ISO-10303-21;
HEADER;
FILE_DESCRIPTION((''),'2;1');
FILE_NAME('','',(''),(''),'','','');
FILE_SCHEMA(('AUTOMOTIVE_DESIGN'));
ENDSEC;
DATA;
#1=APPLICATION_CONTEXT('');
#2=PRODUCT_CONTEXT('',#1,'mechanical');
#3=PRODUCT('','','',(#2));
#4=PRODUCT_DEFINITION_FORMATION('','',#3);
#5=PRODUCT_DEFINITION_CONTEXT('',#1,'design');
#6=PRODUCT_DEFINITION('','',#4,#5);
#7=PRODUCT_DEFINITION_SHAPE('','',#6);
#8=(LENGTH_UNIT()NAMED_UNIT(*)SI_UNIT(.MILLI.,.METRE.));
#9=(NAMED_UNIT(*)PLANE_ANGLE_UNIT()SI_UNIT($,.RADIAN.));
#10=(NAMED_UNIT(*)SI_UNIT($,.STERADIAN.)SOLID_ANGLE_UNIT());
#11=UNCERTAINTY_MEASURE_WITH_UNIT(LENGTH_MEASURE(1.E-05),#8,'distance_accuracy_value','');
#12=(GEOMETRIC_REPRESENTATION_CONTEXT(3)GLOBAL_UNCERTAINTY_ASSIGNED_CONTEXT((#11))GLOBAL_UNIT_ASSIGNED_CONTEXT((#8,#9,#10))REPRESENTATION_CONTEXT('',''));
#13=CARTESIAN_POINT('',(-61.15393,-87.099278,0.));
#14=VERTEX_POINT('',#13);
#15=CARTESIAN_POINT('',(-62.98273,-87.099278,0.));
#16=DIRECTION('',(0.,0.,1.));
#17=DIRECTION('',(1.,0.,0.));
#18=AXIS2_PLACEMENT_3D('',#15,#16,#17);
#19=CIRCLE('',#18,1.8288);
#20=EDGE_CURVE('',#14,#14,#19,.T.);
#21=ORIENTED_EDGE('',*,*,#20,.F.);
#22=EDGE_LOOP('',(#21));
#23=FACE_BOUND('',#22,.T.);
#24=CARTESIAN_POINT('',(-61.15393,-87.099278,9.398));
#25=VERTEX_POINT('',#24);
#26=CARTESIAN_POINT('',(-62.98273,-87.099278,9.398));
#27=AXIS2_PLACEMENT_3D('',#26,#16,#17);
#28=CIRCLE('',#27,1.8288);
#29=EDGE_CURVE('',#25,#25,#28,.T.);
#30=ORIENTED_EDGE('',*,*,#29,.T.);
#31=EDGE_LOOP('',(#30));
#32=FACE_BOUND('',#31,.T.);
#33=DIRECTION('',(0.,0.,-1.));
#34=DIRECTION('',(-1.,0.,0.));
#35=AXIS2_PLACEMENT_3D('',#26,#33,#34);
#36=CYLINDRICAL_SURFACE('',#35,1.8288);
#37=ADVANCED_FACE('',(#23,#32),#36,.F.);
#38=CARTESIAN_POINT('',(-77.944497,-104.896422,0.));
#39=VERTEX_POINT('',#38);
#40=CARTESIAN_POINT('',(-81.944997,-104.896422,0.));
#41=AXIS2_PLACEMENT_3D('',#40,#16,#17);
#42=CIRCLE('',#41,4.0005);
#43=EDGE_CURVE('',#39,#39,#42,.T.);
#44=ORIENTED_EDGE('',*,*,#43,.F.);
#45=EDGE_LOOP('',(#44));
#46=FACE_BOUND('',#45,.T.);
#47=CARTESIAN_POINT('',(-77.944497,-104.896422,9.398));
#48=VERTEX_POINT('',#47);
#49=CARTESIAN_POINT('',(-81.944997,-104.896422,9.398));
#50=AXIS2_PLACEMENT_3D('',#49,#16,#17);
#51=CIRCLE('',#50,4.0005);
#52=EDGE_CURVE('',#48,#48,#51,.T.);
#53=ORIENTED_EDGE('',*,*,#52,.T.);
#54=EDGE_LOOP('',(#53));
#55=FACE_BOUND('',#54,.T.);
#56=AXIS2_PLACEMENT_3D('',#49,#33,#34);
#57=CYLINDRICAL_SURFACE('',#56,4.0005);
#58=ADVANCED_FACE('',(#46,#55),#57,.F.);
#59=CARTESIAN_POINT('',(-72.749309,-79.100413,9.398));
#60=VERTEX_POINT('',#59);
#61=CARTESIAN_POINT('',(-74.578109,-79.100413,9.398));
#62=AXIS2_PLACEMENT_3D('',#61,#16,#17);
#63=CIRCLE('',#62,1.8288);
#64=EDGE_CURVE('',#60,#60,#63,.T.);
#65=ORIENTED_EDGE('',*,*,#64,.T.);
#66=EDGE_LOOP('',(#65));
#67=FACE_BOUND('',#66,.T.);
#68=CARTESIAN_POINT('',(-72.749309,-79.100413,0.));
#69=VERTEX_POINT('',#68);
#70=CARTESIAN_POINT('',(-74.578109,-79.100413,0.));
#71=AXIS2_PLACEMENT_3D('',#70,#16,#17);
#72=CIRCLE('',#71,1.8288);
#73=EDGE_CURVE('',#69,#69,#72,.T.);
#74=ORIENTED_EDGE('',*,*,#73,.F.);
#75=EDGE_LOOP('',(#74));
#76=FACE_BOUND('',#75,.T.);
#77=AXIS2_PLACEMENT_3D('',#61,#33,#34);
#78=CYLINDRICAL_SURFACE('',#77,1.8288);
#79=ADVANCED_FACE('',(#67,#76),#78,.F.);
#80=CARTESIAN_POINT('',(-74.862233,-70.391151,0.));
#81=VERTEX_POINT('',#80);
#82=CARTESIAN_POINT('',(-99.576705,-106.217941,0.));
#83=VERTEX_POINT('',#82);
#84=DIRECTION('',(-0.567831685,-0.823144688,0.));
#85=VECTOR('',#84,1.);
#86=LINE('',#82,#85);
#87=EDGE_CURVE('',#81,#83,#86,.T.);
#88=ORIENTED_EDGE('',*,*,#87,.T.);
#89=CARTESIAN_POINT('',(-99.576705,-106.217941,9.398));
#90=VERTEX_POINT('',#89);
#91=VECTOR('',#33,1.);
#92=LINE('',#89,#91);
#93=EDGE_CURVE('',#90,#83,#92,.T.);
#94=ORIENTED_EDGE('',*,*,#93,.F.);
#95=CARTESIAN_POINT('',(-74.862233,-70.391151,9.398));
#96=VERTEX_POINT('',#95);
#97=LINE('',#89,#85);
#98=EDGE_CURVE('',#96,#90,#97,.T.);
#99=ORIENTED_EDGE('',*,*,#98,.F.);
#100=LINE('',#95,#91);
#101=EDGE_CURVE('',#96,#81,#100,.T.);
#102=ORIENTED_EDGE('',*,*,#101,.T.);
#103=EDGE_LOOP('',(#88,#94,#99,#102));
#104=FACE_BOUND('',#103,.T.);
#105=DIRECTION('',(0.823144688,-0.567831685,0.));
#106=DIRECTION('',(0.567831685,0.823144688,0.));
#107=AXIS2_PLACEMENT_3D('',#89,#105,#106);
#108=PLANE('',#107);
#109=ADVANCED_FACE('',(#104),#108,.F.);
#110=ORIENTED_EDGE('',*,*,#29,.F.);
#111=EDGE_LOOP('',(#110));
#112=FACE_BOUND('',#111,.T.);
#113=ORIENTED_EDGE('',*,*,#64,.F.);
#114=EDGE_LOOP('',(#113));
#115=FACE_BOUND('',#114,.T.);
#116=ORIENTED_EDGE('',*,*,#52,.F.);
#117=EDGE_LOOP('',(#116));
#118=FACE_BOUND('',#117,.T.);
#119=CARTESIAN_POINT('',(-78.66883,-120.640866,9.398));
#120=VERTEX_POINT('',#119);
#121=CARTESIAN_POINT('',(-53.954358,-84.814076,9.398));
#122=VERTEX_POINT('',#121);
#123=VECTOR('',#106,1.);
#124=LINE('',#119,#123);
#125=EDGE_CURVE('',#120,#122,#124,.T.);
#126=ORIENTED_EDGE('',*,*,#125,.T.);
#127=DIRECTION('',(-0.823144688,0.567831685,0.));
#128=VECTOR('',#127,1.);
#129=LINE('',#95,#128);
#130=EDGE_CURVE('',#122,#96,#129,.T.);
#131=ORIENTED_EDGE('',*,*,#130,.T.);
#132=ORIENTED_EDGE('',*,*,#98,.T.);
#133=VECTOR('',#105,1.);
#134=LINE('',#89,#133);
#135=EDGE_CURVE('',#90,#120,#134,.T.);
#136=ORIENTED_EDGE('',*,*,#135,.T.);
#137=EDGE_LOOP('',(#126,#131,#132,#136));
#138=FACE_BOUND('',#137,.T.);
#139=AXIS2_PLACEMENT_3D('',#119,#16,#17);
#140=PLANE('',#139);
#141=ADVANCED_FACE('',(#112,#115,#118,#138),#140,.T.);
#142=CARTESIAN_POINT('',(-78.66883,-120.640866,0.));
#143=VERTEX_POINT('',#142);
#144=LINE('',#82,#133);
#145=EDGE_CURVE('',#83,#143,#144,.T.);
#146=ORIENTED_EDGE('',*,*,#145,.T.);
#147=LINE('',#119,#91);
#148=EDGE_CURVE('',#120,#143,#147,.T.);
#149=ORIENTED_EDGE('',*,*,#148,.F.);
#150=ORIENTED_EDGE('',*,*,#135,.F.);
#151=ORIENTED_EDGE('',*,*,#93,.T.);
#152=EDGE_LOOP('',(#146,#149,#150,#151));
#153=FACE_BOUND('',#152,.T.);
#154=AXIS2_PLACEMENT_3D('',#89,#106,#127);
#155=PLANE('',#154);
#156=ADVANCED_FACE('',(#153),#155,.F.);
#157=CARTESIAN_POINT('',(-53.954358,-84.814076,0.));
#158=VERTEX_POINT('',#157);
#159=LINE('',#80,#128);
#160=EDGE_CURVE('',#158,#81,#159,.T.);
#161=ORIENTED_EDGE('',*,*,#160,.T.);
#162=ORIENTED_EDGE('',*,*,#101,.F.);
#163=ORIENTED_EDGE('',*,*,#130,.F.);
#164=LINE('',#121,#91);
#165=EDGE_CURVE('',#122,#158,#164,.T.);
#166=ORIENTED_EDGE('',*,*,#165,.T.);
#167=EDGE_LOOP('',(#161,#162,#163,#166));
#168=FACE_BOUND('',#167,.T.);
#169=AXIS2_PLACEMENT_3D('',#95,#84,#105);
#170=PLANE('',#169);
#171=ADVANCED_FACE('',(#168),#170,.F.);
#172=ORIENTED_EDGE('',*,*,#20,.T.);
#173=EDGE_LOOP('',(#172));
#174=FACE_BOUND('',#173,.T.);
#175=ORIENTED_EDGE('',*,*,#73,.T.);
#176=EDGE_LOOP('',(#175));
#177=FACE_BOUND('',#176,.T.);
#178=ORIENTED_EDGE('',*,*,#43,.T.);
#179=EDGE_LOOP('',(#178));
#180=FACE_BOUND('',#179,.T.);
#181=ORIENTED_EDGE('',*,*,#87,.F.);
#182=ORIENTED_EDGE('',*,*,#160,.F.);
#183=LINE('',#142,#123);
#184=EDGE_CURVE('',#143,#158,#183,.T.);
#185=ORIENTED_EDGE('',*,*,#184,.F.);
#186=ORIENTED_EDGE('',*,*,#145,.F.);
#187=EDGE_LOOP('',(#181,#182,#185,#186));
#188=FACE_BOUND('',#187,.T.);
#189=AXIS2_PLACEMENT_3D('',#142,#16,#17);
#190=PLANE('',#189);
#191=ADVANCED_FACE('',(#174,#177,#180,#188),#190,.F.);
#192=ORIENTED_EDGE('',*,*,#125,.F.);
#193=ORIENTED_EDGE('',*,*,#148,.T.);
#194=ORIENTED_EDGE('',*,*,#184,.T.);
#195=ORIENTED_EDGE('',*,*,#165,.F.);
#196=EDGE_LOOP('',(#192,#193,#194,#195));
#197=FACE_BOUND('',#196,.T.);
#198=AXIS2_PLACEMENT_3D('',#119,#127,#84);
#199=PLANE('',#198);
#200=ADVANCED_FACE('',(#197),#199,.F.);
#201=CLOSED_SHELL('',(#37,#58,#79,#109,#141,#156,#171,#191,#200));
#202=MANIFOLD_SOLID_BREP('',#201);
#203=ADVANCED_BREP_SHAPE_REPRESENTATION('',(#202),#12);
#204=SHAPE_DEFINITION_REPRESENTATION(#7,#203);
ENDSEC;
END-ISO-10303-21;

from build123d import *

# Parameters (mm, degrees)
SKETCH1_R           = 4.0005
SKETCH1_R_2         = 1.8288
BOSS_EXTRUDE1_DEPTH = 9.398


with BuildPart() as part:
    # Sketch1 → Boss-Extrude1 (new body)
    with BuildSketch(Plane.XY):
        Polygon((-99.576705368, -106.217941149), (-74.862232988, -70.391150904), (-53.954357906, -84.814075696), (-78.668830286, -120.640865941), align=None)
        with Locations((-81.944997029, -104.896422339)):
            Circle(SKETCH1_R, mode=Mode.SUBTRACT)
        with Locations((-74.578109186, -79.10041322)):
            Circle(SKETCH1_R_2, mode=Mode.SUBTRACT)
        with Locations((-62.982730449, -87.099278471)):
            Circle(SKETCH1_R_2, mode=Mode.SUBTRACT)
    extrude(amount=BOSS_EXTRUDE1_DEPTH)


solid = part.part
